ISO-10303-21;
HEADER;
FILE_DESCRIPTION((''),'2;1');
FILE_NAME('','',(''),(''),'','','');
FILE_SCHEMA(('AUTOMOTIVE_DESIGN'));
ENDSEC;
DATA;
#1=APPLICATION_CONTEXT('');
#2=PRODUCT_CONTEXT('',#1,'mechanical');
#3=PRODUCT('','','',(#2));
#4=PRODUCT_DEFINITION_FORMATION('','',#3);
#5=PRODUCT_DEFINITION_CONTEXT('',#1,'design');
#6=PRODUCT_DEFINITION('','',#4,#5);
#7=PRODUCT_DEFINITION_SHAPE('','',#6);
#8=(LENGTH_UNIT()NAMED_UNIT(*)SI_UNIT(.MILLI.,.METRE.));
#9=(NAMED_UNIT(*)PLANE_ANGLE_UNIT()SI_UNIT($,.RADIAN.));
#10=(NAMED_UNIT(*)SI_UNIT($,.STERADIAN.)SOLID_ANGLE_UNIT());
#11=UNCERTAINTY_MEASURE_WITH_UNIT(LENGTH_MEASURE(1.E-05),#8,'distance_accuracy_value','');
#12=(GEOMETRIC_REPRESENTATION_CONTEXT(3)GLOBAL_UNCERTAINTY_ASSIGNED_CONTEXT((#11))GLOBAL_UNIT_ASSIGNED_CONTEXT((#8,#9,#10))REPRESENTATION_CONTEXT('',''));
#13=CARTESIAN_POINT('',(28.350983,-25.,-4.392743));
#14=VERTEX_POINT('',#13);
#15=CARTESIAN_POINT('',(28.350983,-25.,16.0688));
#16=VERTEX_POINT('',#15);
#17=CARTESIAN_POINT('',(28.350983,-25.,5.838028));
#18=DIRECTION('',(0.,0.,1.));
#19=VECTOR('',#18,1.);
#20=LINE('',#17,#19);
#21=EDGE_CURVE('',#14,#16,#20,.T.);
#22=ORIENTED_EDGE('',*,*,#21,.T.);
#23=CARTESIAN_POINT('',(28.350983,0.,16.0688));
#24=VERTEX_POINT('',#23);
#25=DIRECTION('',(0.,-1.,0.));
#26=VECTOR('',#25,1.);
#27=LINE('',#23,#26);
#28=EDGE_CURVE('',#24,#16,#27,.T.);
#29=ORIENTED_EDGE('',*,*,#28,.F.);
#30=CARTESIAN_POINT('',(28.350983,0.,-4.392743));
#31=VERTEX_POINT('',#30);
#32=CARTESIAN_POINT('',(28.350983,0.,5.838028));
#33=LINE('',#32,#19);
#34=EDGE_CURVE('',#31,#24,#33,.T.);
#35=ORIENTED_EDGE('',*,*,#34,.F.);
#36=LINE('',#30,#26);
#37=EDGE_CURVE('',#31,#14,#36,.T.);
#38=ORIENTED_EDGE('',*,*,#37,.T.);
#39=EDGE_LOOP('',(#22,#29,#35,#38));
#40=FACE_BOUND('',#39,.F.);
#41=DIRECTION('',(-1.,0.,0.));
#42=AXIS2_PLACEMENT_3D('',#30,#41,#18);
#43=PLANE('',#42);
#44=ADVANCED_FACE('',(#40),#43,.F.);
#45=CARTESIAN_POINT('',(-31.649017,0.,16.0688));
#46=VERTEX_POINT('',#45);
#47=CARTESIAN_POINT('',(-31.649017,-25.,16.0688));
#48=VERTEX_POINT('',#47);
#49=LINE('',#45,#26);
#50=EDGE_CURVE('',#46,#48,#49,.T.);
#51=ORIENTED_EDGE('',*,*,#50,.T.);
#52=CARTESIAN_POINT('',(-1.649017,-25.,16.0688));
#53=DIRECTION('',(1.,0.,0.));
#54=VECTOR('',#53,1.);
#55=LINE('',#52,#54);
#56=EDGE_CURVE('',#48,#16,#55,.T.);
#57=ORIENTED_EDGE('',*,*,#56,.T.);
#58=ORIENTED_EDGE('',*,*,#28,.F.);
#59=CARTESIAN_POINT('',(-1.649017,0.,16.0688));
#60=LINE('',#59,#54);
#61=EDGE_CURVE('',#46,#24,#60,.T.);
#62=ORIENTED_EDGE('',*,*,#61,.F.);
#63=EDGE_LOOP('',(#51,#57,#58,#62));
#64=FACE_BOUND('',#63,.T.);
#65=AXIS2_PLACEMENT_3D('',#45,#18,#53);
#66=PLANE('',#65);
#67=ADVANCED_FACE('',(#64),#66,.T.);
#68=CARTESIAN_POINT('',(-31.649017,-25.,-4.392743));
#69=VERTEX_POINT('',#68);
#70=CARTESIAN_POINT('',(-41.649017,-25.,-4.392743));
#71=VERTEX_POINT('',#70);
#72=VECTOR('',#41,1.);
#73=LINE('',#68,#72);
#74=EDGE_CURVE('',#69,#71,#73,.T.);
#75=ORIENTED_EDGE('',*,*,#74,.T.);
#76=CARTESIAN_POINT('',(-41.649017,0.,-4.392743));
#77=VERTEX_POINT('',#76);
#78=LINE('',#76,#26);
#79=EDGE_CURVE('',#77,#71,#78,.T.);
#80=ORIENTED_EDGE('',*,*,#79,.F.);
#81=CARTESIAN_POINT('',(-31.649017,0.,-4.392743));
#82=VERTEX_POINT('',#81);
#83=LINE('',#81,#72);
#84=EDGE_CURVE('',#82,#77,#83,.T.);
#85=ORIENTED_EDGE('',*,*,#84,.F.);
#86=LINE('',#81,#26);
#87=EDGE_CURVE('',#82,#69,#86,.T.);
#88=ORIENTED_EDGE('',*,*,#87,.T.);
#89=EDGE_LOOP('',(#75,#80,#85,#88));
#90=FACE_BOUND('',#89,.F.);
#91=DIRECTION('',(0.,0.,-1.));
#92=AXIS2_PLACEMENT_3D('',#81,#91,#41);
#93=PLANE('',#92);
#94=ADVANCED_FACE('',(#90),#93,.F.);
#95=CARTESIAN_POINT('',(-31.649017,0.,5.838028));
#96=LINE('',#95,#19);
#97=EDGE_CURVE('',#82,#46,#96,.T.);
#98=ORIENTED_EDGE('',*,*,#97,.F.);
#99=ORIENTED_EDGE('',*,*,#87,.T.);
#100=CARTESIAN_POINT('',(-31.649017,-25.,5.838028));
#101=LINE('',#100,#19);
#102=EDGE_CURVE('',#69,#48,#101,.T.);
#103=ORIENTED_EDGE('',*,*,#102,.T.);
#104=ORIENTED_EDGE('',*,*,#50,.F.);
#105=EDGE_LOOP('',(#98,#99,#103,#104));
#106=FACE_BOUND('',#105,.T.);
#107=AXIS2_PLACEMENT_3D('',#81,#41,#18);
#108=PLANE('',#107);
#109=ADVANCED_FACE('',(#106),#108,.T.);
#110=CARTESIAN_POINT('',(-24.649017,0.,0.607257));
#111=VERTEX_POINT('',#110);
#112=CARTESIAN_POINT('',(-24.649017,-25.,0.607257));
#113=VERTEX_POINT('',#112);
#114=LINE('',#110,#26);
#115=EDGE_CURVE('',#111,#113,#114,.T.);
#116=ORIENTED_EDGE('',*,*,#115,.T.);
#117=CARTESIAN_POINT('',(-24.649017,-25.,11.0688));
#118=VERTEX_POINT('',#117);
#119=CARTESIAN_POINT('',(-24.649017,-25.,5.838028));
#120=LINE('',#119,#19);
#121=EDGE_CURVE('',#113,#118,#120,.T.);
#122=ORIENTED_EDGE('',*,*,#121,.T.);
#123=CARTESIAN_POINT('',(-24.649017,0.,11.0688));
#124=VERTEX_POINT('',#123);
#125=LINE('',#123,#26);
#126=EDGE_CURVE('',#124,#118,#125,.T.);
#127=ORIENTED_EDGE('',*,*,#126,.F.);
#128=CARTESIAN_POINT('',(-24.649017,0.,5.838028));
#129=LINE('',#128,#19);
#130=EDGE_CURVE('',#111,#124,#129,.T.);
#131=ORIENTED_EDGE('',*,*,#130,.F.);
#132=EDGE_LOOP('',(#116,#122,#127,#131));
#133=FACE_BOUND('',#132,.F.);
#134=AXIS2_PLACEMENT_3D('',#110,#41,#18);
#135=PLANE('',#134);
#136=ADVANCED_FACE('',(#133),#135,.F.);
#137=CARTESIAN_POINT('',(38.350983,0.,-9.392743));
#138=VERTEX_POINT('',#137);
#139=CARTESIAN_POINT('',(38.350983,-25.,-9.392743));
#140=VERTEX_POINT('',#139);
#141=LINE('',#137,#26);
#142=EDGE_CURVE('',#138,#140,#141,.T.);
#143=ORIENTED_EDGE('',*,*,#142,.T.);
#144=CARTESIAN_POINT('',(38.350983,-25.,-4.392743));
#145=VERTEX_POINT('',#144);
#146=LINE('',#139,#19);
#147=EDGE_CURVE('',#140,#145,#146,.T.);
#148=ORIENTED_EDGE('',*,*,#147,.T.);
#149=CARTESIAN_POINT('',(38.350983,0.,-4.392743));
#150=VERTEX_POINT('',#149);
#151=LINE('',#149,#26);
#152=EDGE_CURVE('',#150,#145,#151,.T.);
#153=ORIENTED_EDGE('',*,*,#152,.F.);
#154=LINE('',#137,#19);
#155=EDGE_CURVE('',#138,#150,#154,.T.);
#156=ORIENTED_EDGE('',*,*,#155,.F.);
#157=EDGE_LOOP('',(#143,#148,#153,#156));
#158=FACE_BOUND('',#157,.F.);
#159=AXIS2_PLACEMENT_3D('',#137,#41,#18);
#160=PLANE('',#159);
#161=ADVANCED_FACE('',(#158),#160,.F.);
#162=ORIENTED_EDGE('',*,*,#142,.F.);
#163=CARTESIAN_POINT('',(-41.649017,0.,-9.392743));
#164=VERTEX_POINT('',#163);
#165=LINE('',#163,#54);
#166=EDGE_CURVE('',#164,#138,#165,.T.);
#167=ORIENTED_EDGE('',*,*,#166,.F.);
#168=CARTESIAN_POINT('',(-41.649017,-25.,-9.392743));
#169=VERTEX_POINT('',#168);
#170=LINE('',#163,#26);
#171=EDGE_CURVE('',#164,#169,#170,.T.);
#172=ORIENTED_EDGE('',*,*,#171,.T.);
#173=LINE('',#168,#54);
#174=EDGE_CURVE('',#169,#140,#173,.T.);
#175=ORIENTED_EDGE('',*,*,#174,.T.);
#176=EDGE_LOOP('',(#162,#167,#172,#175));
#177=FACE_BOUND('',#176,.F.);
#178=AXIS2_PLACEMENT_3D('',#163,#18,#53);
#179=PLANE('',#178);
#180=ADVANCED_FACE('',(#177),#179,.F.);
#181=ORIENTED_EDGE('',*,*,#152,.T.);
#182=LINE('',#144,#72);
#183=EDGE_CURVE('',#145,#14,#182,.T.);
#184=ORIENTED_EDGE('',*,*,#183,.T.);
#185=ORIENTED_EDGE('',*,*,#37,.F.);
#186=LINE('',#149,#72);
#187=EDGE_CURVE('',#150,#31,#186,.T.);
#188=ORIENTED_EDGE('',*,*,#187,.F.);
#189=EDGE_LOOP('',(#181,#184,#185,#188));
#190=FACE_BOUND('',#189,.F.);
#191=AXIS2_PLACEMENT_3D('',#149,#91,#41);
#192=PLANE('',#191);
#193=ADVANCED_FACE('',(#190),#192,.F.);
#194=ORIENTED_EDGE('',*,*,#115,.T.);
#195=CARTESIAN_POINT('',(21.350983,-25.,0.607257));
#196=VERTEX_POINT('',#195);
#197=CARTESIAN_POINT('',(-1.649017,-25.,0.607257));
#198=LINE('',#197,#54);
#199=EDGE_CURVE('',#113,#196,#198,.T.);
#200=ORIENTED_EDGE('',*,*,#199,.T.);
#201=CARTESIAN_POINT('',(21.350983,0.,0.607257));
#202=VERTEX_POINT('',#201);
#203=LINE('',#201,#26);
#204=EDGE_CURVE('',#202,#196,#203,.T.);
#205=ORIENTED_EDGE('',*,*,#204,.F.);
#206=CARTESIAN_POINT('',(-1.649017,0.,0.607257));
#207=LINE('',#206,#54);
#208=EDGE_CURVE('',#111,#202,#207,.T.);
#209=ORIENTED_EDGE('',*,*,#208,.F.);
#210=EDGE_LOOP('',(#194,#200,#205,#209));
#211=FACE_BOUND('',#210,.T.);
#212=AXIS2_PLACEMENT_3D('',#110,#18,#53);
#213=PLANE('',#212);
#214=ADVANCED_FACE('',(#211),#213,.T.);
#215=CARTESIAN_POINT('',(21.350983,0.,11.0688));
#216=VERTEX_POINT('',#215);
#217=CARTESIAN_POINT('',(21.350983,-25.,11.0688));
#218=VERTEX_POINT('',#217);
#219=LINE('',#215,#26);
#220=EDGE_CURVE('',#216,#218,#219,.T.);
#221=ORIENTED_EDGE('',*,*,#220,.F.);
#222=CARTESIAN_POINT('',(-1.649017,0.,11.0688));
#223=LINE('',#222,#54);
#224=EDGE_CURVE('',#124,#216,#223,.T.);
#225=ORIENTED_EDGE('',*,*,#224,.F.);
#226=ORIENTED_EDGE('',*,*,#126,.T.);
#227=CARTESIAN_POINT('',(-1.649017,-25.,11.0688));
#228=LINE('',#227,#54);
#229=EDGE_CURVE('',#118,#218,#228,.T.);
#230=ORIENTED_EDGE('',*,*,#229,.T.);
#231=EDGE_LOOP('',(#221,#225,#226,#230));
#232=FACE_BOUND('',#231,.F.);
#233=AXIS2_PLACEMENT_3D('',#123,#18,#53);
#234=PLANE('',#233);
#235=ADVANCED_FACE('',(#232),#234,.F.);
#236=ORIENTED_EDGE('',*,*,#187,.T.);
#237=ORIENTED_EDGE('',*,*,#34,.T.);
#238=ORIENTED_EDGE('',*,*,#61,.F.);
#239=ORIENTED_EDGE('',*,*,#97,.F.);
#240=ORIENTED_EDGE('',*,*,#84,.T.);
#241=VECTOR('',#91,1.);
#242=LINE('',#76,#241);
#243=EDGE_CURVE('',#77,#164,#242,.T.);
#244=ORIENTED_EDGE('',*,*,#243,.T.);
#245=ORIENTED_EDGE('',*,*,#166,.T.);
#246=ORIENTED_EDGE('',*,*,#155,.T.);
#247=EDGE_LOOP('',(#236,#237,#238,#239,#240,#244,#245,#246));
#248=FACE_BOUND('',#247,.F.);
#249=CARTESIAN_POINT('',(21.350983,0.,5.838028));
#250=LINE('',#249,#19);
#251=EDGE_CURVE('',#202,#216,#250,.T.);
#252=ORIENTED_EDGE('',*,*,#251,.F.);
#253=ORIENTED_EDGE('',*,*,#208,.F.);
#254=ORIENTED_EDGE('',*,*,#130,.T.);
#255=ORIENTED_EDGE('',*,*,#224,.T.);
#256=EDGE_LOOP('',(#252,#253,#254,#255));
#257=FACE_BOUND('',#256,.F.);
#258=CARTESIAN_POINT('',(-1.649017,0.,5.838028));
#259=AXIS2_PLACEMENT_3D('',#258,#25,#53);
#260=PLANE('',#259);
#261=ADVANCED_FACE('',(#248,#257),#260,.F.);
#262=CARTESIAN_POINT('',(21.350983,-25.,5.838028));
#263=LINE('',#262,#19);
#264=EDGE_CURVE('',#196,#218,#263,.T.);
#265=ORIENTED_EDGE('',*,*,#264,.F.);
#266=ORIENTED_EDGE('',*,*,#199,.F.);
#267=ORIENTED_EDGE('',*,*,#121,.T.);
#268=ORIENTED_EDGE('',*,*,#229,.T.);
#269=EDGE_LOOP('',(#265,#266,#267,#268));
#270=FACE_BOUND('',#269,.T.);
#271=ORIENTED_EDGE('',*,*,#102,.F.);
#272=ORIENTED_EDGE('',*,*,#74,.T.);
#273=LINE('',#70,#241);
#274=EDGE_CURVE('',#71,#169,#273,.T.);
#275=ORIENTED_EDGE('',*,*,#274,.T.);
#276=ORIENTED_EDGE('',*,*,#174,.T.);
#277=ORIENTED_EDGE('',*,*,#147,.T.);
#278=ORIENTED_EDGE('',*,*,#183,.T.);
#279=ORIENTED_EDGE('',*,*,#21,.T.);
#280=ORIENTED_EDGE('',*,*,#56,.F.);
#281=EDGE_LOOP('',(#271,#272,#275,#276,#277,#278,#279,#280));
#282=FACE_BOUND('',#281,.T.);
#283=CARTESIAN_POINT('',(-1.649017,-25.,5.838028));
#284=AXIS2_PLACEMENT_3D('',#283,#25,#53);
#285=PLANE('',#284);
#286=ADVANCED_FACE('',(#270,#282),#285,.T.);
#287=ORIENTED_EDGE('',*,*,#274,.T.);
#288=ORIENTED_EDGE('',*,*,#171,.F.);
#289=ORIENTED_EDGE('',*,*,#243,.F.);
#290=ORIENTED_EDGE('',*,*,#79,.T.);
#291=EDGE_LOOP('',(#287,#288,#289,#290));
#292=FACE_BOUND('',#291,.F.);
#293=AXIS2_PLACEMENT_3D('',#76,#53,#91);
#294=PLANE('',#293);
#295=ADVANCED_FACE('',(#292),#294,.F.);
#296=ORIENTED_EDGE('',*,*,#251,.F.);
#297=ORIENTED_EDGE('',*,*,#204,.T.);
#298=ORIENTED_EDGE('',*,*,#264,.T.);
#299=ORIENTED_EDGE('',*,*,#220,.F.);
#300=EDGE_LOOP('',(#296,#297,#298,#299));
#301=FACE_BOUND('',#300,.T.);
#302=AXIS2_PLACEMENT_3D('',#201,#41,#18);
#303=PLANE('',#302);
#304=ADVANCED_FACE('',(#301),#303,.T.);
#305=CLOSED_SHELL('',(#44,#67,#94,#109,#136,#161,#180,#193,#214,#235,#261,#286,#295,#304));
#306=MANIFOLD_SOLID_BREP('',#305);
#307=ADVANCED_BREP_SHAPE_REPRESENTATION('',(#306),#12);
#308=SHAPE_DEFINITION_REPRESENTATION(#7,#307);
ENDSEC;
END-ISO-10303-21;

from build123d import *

# Parameters (mm, degrees)
F0_W     = 60
F0_H     = 20.4615421835
F0_W_2   = 46
F0_H_2   = 10.4615421835
F1_DEPTH = 25


with BuildPart() as f1:
    # F0 (on Front) → F1 (new body)
    with BuildSketch(Plane.XZ):
        with Locations((-1.6490174871, 5.8380284264)):
            Rectangle(F0_W, F0_H)
        with Locations((-1.6490174871, 5.8380284264)):
            Rectangle(F0_W_2, F0_H_2, mode=Mode.SUBTRACT)
        Polygon((28.3509825129, -4.3927426653), (-31.6490174871, -4.3927426653), (-41.6490174871, -4.3927426653), (-41.6490174871, -9.3927426653), (38.3509825129, -9.3927426653), (38.3509825129, -4.3927426653), align=None)
    extrude(amount=F1_DEPTH)


solid = f1.part
